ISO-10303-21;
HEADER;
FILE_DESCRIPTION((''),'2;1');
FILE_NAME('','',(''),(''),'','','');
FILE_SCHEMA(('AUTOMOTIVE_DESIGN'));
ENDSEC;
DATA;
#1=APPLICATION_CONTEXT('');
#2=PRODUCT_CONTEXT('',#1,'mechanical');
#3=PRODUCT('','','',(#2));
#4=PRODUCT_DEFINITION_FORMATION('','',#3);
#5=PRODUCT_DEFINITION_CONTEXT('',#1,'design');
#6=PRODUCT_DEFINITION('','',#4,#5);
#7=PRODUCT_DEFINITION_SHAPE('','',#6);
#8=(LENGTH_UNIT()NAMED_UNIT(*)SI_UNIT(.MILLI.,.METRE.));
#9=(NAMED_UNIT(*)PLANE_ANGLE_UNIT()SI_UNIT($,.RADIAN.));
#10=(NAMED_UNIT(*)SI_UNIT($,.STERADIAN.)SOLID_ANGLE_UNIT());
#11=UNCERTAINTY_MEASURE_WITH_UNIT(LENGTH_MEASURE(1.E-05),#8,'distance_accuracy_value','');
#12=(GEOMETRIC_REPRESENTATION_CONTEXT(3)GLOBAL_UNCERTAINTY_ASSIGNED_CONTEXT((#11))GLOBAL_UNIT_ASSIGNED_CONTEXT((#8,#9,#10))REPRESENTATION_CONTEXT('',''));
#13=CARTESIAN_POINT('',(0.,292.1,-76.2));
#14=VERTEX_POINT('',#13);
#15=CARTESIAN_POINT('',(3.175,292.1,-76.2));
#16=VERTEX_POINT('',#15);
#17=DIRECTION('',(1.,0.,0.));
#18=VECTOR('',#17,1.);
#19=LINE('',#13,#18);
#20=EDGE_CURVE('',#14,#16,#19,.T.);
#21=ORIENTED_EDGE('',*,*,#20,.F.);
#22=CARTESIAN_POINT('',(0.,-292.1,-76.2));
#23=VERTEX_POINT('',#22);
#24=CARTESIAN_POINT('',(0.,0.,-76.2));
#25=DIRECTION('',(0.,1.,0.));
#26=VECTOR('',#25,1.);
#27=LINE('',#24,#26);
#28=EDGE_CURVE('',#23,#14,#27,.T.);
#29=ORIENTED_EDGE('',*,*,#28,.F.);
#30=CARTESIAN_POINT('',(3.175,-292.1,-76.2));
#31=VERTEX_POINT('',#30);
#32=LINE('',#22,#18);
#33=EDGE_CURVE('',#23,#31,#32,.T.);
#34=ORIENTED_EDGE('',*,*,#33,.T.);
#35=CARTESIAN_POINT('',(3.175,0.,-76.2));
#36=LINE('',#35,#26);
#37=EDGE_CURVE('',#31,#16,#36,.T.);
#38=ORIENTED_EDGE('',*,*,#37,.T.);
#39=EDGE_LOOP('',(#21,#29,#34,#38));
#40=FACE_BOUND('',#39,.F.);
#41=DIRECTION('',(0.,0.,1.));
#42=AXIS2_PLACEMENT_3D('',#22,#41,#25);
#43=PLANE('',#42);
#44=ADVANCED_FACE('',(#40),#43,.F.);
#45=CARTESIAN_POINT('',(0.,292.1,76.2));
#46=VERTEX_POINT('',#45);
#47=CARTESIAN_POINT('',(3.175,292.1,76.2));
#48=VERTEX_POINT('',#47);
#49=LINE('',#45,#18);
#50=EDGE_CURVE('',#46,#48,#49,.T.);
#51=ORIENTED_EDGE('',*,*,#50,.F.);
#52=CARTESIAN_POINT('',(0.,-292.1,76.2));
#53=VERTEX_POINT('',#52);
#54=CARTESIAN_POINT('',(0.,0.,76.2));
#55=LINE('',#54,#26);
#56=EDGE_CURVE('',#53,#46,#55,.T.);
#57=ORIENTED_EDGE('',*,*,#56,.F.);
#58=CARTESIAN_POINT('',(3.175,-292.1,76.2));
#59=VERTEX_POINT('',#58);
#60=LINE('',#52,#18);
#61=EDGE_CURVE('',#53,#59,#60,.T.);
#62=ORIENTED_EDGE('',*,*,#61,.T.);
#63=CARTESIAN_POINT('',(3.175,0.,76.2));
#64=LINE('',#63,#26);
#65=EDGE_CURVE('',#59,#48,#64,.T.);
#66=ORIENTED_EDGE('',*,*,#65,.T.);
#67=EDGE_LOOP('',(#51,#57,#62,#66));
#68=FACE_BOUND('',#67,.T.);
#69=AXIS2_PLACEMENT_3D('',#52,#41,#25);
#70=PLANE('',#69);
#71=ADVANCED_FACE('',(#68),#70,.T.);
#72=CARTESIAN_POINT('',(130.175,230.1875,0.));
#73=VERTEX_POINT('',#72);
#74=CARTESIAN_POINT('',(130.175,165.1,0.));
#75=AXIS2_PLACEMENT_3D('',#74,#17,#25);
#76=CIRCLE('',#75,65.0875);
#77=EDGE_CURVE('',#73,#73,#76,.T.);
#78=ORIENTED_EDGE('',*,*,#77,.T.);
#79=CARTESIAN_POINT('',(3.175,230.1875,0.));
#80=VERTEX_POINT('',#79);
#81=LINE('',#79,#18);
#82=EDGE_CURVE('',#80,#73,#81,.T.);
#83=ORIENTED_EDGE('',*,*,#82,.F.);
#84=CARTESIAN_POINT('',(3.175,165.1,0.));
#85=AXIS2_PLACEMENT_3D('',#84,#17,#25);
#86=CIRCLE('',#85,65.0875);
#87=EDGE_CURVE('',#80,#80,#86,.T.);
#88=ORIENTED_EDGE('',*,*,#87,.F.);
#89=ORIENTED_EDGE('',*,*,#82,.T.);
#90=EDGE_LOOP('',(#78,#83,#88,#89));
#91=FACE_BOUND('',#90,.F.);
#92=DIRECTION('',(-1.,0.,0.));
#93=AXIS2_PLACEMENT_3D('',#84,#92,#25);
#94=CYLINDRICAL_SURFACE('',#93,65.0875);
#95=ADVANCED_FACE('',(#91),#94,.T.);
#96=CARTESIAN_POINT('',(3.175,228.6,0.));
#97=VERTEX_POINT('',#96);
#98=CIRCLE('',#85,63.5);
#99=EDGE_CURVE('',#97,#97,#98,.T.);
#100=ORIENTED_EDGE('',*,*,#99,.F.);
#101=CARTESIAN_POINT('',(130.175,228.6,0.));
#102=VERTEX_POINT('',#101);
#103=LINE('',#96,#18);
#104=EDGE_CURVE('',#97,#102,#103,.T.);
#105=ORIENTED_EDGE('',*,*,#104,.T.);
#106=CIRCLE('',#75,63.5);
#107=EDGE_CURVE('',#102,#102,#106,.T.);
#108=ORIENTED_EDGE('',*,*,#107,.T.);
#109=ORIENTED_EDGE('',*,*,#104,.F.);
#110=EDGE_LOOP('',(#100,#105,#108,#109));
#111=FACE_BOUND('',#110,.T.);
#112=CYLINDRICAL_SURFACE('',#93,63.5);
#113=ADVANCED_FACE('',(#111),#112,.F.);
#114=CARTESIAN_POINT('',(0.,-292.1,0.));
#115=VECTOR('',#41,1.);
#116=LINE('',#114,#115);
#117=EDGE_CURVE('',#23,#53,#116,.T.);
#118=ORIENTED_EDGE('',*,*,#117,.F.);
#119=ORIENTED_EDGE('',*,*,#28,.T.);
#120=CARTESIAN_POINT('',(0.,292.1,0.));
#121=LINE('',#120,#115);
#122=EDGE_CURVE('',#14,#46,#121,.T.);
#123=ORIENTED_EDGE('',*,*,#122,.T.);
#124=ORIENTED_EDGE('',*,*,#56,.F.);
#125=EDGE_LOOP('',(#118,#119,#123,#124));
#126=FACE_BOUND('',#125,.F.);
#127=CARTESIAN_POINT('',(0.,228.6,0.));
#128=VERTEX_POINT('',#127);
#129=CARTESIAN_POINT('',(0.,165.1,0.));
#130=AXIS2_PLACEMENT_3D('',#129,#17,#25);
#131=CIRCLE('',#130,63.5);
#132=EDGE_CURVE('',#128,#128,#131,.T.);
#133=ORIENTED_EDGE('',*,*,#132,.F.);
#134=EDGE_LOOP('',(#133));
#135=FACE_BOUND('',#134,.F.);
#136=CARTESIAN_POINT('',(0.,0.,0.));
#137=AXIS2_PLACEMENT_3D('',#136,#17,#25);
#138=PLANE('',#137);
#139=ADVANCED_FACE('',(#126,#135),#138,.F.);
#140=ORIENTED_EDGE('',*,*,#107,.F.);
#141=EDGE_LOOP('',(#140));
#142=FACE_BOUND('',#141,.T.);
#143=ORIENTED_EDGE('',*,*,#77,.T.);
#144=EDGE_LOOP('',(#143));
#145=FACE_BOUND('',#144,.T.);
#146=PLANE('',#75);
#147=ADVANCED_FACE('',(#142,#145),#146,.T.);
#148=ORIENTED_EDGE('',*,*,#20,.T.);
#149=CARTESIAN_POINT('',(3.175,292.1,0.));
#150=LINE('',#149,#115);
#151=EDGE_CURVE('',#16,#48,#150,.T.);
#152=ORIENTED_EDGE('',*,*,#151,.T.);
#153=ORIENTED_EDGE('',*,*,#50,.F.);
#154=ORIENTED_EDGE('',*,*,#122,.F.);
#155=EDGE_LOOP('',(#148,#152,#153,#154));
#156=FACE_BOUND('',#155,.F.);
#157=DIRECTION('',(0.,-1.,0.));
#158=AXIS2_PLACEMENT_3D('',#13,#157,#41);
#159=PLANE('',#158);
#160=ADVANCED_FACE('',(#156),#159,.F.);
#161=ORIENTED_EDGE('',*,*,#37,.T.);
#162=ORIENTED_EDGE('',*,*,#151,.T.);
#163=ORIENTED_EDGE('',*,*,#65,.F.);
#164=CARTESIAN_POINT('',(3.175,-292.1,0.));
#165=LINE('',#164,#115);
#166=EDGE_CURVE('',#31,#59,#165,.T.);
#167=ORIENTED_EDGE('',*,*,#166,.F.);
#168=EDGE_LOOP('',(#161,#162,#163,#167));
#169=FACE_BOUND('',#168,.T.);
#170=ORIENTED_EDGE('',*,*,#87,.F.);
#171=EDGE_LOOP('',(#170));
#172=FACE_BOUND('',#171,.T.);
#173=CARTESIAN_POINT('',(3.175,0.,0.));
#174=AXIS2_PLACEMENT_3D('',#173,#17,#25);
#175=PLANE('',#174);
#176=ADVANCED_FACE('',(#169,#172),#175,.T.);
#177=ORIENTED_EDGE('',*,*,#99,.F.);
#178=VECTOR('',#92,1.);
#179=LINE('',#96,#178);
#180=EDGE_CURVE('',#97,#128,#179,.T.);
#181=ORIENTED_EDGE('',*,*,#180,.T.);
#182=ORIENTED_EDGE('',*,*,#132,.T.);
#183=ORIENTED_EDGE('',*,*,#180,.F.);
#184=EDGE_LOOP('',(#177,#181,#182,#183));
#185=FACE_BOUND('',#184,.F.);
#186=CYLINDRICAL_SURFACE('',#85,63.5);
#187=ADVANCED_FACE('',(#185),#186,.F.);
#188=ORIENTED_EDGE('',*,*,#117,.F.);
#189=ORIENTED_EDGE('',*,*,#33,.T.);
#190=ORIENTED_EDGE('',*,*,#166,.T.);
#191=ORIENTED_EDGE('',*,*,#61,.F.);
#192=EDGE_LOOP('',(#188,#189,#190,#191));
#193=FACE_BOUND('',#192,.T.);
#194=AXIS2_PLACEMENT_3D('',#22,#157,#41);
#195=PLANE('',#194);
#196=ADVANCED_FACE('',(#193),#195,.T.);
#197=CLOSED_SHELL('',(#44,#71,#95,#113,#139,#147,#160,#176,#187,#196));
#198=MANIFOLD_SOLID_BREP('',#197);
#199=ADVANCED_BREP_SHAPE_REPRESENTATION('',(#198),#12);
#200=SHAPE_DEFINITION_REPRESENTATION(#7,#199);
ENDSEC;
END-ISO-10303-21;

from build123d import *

# Parameters (mm, degrees)
F0_W     = 584.2
F0_H     = 152.4
F1_DEPTH = 3.175
F2_R     = 63.5
F3_DEPTH = 25.4
F4_R     = 65.0875
F4_R_2   = 63.5
F5_DEPTH = 127


with BuildPart() as f1:
    # F0 (on Right) → F1 (new body)
    with BuildSketch(Plane.YZ):
        Rectangle(F0_W, F0_H)
    extrude(amount=F1_DEPTH)

    # F2 (on face) → F3 (cut)
    with BuildSketch(Plane.YZ.offset(3.175)):
        with Locations((165.1, 0)):
            Circle(F2_R)
    extrude(amount=-F3_DEPTH, mode=Mode.SUBTRACT)

    # F4 (on face) → F5 (join)
    with BuildSketch(Plane.YZ.offset(3.175)):
        with Locations((165.1, 0)):
            Circle(F4_R)
        with Locations((165.1, 0)):
            Circle(F4_R_2, mode=Mode.SUBTRACT)
    extrude(amount=F5_DEPTH)


solid = f1.part
